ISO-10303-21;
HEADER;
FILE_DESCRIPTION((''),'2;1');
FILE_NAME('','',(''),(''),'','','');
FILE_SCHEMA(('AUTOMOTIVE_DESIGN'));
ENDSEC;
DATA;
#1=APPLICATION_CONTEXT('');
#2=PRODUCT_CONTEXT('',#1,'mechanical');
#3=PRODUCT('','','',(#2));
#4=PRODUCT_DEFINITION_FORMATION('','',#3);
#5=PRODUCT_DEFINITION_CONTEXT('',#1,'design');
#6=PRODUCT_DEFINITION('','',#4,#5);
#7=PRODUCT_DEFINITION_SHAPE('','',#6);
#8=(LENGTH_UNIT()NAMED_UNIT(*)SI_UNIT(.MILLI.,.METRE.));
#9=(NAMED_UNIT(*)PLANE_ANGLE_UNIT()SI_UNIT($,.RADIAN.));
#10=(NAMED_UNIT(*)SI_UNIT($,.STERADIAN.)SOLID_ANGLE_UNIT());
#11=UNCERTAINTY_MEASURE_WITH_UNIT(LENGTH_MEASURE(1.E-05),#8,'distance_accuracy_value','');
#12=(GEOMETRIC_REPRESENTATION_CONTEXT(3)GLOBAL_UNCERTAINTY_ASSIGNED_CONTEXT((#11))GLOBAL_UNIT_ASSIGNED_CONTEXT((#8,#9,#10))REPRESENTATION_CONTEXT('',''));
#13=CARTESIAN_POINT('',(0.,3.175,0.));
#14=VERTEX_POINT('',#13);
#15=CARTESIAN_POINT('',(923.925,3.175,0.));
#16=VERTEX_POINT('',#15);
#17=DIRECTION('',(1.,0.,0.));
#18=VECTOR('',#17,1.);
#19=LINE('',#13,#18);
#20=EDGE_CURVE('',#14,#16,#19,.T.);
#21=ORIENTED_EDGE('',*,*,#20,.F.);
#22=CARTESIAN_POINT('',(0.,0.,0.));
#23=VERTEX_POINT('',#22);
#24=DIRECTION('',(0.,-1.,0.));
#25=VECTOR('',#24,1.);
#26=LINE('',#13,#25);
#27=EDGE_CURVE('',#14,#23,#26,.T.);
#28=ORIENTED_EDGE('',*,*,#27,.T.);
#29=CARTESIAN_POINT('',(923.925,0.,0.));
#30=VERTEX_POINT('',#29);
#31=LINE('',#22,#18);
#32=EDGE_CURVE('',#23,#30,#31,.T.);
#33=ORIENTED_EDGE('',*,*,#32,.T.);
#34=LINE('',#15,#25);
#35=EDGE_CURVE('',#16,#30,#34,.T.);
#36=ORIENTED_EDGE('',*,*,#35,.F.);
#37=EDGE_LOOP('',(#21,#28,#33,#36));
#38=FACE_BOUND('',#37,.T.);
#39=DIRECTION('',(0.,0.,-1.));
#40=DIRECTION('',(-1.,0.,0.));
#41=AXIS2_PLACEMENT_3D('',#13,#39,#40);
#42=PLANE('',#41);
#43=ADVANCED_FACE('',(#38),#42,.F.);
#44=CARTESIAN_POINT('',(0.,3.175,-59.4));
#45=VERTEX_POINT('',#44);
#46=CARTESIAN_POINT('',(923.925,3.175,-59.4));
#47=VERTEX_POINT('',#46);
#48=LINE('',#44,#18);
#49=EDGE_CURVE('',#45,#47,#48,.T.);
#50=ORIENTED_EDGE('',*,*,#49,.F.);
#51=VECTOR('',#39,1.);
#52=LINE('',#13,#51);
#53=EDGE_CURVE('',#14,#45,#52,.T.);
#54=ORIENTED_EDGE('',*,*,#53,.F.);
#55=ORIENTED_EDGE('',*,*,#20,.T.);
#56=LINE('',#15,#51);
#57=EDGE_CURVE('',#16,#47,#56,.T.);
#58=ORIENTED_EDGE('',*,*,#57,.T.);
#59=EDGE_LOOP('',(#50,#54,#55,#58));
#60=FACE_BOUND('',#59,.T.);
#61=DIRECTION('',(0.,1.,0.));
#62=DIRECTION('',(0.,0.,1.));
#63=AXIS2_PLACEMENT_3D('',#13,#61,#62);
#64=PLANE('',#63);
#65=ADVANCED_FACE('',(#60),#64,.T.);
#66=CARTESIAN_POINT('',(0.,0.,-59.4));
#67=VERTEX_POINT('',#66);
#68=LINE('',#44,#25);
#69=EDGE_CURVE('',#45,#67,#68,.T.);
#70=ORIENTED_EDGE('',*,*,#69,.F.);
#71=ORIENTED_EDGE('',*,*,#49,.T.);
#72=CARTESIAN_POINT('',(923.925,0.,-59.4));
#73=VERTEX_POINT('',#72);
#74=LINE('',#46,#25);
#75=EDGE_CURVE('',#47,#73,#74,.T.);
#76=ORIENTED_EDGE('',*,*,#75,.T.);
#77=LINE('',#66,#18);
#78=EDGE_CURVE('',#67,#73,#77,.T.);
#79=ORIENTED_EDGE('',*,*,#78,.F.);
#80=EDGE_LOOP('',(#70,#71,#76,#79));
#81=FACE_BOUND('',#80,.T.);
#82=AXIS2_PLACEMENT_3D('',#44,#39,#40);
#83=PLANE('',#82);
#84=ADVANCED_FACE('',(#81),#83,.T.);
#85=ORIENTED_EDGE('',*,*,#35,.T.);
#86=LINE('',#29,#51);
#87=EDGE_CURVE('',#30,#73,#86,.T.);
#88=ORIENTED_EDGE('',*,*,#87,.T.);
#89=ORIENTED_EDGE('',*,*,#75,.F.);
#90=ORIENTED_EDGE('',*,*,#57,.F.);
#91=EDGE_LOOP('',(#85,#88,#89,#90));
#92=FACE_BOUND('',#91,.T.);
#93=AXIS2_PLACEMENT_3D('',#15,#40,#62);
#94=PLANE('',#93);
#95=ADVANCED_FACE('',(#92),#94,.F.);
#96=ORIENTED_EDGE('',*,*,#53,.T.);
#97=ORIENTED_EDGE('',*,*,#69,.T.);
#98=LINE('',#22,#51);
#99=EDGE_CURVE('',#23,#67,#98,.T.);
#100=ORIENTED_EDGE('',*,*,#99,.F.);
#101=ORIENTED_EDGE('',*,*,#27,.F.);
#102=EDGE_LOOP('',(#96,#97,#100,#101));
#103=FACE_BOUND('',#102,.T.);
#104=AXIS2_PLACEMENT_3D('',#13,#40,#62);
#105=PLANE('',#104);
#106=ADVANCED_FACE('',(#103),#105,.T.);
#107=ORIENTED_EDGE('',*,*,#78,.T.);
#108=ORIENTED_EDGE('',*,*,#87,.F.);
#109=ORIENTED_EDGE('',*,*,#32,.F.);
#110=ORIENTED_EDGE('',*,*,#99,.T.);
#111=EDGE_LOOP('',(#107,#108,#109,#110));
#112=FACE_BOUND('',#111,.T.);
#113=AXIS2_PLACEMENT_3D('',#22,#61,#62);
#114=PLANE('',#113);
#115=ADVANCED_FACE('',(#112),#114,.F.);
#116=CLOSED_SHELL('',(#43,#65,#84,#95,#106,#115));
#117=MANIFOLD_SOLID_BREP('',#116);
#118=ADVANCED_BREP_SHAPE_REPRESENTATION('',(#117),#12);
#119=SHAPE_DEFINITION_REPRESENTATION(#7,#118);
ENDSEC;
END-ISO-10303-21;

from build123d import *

# Parameters (mm, degrees)
SKETCH1_W           = 923.925
SKETCH1_H           = 59.4
BOSS_EXTRUDE1_DEPTH = 3.175


with BuildPart() as part:
    # Sketch1 → Boss-Extrude1 (new body)
    with BuildSketch(Plane(origin=(0, 0, 0), x_dir=(1, 0, 0), z_dir=(0, 1, 0))):
        with Locations((461.9625, 29.7)):
            Rectangle(SKETCH1_W, SKETCH1_H)
    extrude(amount=BOSS_EXTRUDE1_DEPTH)


solid = part.part
